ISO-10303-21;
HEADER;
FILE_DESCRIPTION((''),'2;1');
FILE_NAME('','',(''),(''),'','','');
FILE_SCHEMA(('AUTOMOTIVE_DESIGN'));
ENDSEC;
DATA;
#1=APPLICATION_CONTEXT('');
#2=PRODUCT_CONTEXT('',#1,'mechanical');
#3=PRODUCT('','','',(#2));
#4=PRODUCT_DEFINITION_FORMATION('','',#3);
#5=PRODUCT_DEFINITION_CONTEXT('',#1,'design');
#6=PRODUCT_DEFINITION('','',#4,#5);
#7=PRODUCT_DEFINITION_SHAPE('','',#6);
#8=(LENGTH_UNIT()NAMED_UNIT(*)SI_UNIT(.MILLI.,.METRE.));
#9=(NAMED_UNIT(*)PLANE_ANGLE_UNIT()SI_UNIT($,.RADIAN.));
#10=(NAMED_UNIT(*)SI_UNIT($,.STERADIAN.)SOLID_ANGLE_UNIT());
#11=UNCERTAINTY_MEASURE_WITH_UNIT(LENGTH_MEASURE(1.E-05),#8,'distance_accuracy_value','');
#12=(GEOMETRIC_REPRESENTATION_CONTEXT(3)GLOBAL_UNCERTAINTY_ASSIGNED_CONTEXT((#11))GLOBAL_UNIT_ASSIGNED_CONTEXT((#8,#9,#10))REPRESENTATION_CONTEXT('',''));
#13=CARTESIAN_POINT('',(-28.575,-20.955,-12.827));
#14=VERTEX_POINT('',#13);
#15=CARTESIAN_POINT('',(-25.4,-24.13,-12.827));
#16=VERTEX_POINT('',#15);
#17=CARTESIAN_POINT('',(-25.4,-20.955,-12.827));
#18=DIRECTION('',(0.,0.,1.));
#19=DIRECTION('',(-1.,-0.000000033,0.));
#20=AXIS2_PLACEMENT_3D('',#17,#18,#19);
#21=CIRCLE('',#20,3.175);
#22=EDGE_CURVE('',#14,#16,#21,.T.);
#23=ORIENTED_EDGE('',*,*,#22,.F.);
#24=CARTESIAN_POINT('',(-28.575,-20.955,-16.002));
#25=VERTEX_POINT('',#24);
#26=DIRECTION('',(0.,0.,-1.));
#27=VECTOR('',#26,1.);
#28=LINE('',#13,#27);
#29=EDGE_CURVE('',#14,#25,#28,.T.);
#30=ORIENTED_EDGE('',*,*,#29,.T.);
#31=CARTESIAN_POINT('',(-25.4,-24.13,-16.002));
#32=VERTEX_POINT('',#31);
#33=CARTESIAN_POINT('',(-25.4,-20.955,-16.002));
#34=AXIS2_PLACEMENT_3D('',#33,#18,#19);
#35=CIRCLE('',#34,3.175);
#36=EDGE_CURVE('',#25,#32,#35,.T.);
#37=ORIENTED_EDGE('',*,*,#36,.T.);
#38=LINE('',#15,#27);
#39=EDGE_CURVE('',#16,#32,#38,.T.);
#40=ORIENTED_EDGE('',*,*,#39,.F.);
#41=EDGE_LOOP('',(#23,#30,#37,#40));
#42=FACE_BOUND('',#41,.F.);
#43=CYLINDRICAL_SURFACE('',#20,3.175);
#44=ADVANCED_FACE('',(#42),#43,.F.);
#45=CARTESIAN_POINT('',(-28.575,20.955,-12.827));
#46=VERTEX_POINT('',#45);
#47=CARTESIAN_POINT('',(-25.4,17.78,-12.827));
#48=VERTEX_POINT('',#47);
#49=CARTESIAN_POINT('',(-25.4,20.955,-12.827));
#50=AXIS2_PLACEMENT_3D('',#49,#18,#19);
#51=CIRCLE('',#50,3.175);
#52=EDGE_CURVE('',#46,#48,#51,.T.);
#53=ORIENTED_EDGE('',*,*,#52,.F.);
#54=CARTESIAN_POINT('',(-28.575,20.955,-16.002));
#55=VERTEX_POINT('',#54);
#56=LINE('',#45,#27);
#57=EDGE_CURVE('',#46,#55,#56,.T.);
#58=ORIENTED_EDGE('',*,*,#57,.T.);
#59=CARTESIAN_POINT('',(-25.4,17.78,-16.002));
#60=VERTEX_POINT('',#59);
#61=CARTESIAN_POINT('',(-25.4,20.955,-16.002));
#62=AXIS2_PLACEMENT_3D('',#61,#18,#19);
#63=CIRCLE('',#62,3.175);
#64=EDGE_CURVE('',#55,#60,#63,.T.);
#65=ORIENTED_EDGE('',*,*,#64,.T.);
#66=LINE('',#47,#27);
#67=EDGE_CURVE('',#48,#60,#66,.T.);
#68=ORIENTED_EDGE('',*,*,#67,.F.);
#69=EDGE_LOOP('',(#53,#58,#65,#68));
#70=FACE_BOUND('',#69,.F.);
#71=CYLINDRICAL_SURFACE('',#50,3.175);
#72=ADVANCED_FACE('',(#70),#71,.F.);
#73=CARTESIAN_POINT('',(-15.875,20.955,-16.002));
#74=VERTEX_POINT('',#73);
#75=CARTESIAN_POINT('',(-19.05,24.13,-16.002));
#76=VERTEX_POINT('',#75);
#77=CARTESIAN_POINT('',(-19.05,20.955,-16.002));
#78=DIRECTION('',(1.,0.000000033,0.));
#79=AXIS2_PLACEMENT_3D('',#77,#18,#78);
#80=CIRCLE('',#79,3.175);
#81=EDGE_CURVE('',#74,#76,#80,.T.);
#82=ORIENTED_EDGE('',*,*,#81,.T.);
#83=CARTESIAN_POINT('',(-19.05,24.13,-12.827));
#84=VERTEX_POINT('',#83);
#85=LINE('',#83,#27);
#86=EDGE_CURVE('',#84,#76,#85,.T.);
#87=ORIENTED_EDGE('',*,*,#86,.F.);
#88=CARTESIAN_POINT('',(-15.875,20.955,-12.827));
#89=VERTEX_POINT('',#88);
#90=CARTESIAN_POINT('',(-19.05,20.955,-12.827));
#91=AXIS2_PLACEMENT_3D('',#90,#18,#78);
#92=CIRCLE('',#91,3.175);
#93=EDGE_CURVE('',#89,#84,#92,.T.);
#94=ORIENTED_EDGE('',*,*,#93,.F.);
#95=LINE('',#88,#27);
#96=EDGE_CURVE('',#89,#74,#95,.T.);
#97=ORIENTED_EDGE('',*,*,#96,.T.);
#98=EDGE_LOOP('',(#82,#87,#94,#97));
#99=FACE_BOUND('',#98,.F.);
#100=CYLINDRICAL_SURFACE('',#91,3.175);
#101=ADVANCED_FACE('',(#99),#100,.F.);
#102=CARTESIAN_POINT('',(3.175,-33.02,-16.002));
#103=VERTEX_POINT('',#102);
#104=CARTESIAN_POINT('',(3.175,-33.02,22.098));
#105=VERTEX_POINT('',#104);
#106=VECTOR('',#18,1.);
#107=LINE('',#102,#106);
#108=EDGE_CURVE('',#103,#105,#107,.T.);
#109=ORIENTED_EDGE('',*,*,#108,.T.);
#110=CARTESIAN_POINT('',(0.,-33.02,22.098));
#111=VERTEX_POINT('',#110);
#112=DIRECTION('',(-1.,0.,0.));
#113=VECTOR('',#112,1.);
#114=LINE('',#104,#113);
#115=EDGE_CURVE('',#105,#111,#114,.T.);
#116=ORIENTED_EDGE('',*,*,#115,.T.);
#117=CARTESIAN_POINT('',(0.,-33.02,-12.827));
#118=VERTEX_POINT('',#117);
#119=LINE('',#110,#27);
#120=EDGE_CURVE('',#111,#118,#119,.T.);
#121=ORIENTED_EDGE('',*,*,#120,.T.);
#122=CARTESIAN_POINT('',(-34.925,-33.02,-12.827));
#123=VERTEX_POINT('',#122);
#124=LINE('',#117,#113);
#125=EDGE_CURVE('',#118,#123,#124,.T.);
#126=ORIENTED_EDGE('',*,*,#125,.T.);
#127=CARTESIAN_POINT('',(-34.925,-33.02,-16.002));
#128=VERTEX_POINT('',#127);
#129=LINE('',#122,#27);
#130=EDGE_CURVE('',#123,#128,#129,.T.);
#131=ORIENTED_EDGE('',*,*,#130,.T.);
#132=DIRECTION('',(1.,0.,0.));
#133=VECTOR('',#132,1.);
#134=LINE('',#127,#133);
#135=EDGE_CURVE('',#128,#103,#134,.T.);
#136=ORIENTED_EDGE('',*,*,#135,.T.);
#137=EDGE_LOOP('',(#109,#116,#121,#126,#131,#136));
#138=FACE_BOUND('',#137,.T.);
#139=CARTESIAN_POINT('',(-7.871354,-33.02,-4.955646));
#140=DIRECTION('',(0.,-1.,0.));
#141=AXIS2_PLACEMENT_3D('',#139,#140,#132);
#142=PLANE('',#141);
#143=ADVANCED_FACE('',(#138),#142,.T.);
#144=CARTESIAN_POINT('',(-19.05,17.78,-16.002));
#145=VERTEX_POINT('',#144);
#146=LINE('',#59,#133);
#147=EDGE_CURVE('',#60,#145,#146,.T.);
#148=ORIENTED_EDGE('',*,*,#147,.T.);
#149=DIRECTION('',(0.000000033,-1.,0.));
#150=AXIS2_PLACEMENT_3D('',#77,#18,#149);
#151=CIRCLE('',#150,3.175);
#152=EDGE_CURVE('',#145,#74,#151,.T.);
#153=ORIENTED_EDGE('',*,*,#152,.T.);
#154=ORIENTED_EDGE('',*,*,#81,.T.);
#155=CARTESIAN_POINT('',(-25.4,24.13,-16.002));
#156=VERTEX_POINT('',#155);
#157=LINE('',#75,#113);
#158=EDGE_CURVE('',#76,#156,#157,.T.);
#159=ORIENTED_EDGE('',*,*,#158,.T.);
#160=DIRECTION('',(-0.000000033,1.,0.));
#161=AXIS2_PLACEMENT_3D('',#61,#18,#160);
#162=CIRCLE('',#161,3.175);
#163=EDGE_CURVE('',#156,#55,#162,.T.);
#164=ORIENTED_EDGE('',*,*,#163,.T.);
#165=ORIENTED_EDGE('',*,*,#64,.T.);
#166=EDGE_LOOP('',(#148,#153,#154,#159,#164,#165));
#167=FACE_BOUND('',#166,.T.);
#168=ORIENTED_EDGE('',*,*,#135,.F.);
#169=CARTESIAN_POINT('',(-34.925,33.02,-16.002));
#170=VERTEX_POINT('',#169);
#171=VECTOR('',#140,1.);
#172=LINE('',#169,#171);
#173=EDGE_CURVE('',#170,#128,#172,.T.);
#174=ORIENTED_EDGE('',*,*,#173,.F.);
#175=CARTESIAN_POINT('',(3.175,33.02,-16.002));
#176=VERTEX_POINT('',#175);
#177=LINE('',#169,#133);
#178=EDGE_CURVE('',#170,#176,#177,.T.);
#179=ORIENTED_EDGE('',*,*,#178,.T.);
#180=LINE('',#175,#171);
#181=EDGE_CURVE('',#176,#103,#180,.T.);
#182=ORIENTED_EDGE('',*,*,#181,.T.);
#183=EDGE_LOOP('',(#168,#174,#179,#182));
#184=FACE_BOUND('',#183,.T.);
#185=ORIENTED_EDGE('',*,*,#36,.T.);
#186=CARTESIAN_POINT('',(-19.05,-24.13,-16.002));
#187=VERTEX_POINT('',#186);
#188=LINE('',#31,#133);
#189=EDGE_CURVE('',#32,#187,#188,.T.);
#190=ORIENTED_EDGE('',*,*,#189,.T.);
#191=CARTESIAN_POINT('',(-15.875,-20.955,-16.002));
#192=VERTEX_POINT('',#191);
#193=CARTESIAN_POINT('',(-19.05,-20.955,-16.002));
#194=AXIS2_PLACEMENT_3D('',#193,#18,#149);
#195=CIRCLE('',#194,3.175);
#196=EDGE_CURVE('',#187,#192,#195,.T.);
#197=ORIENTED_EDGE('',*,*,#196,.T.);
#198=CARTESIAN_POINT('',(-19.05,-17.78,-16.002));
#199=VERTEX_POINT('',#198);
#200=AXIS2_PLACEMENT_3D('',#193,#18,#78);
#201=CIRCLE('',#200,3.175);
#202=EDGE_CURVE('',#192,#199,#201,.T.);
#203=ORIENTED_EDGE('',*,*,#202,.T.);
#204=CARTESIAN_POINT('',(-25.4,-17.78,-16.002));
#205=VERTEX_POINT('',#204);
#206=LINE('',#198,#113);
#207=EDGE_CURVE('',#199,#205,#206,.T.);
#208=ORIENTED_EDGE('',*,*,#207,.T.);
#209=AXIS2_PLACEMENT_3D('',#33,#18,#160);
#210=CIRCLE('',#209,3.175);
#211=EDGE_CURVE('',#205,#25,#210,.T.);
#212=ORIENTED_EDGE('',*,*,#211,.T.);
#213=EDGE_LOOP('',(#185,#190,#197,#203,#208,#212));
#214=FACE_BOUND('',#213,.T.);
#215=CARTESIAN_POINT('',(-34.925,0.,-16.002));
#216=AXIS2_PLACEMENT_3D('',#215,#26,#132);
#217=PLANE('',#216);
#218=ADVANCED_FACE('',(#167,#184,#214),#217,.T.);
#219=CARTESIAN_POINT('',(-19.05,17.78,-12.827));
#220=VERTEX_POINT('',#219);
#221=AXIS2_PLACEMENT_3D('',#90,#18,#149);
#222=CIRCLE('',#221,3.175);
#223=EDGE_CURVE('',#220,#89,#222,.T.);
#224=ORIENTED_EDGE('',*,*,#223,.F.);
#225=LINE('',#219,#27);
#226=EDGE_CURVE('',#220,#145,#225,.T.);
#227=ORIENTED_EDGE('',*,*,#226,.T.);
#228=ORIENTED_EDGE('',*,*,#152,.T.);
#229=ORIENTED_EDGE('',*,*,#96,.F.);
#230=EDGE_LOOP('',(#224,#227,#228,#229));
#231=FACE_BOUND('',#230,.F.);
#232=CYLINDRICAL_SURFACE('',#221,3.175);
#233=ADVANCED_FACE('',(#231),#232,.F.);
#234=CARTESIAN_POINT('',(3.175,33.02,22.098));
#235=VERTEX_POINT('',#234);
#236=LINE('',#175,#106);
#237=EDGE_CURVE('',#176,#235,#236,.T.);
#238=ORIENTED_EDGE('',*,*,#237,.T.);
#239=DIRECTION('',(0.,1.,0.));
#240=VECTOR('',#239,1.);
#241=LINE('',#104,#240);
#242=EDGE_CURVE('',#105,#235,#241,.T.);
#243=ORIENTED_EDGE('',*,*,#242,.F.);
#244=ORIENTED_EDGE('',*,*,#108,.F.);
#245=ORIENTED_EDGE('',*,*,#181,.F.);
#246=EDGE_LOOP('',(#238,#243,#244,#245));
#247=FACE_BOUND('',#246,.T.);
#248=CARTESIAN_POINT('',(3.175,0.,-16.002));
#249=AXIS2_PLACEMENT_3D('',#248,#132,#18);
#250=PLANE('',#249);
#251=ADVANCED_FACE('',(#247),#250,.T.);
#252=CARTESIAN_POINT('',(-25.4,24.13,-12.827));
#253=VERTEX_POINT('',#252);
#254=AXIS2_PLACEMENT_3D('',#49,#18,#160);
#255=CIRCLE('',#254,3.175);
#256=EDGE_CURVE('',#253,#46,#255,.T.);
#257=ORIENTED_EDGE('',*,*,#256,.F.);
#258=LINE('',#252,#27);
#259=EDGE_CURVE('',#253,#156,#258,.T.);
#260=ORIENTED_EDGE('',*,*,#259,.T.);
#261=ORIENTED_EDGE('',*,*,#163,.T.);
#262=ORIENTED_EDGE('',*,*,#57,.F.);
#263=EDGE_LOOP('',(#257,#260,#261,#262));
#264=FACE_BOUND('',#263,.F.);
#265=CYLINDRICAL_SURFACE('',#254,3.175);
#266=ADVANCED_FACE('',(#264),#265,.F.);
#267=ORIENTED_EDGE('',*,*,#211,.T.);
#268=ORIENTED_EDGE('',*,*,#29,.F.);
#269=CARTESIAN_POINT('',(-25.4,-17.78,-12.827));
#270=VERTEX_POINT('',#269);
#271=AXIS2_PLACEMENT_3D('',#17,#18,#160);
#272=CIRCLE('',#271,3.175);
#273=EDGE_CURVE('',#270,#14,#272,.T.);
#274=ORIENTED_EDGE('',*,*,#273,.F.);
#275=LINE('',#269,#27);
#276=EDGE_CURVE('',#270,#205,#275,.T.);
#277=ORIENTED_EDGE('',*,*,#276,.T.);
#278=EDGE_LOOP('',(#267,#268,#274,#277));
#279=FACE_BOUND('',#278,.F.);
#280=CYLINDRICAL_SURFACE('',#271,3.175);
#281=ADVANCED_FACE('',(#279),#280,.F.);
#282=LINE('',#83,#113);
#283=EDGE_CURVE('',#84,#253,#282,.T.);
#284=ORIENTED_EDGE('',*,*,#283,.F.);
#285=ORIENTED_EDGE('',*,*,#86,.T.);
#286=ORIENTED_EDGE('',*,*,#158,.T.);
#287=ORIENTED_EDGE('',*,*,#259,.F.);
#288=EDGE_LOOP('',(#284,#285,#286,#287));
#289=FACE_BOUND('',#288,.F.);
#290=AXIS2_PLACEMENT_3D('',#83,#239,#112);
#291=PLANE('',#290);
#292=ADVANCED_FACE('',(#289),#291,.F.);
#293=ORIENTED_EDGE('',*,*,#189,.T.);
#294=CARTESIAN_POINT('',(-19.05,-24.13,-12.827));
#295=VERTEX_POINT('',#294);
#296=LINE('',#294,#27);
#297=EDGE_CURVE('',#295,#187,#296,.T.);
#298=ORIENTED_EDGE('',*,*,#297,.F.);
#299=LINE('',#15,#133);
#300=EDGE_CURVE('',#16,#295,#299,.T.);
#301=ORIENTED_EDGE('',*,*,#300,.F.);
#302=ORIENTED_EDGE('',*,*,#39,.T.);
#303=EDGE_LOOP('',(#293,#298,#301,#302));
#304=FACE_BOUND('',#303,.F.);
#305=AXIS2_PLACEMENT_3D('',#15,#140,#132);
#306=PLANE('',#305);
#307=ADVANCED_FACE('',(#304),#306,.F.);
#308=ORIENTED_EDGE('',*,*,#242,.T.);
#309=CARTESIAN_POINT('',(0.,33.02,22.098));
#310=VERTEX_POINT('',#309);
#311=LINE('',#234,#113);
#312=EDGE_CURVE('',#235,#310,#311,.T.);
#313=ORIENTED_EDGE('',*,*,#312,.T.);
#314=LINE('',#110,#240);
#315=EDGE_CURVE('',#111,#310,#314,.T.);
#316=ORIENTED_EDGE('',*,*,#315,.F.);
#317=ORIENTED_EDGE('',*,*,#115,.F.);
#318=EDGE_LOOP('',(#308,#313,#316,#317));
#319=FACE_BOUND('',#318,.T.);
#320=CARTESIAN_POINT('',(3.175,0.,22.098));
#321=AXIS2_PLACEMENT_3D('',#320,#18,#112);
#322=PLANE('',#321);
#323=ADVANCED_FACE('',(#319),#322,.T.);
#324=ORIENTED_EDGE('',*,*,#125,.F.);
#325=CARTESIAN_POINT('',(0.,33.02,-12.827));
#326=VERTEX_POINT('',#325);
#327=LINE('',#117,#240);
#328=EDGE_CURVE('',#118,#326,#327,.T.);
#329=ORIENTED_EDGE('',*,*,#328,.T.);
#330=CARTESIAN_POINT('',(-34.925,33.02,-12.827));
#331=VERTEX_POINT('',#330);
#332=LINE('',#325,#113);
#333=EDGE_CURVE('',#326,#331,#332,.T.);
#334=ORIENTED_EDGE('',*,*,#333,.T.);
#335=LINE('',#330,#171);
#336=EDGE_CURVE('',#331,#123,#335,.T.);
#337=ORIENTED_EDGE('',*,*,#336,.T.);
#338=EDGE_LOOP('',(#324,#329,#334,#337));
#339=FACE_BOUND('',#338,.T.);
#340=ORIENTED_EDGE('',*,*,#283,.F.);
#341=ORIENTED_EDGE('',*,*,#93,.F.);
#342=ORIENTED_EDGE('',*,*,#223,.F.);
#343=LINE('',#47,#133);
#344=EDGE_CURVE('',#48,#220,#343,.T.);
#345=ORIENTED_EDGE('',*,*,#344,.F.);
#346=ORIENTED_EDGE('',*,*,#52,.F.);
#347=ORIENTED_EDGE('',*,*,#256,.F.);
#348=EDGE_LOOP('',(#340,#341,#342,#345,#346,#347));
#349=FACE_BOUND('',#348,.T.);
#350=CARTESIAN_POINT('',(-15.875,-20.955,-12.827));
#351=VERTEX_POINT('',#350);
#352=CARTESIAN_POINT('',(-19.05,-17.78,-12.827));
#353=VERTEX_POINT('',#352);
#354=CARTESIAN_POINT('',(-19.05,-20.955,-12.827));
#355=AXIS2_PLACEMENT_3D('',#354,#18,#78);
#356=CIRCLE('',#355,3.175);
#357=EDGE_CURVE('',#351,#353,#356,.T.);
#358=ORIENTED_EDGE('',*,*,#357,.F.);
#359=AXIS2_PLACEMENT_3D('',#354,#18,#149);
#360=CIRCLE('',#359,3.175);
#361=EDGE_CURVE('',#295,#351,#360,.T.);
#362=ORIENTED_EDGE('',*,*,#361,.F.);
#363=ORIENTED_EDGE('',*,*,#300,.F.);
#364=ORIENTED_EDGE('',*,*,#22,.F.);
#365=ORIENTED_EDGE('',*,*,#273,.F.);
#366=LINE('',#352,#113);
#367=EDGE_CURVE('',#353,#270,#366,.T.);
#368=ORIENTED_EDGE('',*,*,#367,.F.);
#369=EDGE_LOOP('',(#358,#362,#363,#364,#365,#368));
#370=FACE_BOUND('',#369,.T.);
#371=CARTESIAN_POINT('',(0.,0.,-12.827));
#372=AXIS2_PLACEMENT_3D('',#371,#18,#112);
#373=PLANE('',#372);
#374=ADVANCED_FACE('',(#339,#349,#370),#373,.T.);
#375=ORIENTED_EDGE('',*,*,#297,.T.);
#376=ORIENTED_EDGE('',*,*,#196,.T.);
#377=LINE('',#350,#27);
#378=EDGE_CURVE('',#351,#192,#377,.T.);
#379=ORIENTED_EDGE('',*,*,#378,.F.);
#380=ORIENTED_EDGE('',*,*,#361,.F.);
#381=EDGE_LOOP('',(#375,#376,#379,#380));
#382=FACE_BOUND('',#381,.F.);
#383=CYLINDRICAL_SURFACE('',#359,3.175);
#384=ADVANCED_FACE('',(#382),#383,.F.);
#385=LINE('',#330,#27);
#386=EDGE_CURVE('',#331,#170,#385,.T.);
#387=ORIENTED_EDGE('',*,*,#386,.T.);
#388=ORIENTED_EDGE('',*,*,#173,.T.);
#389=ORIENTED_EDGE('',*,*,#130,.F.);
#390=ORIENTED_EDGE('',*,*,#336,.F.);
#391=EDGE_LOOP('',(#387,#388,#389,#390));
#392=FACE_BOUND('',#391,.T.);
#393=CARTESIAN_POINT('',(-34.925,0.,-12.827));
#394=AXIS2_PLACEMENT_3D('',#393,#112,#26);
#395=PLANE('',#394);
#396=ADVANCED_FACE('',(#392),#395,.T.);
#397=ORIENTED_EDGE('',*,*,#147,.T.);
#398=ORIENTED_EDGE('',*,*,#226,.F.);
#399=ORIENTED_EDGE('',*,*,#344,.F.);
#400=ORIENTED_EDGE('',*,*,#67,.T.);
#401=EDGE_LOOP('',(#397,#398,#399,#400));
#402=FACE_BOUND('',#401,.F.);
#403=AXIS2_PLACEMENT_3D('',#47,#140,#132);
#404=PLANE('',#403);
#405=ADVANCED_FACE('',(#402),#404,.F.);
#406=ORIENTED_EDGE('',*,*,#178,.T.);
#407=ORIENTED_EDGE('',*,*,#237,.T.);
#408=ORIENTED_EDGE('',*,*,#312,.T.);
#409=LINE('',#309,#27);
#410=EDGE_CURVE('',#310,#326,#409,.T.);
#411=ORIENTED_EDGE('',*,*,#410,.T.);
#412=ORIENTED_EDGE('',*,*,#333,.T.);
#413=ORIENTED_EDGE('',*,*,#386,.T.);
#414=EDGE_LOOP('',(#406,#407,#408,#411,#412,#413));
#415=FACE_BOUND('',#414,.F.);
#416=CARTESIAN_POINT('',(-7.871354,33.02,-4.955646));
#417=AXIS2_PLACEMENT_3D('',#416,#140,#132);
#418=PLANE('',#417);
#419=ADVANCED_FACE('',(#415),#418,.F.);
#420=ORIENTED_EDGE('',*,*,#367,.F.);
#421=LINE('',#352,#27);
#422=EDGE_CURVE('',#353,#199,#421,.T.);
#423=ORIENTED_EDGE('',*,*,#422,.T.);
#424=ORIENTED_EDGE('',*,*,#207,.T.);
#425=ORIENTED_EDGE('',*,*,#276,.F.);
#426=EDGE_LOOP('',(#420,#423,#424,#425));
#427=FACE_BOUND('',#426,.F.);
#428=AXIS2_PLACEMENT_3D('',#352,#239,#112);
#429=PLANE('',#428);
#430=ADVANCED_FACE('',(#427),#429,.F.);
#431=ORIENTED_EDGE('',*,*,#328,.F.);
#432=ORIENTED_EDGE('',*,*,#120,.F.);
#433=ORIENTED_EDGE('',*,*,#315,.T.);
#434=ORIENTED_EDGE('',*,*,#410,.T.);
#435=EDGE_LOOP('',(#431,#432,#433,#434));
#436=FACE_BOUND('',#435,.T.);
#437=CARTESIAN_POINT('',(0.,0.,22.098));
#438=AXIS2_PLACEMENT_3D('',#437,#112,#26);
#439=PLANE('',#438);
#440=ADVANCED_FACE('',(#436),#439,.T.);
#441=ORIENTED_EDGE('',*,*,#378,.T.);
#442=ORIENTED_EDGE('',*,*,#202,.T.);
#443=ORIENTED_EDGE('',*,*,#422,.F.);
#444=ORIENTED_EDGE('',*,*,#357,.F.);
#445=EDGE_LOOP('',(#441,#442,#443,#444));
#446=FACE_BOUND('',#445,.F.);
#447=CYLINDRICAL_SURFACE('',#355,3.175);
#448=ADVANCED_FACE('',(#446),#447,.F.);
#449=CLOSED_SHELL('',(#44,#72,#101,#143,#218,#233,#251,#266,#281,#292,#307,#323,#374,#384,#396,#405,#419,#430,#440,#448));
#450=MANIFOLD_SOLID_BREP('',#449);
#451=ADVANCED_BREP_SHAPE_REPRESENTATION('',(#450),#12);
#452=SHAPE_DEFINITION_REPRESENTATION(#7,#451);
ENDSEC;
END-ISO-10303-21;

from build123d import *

# Parameters (mm, degrees)
F1_DEPTH = 33.02
F3_DEPTH = 3.175


with BuildPart() as f1:
    # F0 (on Front) → F1 (new body, symmetric)
    with BuildSketch(Plane.XZ):
        Polygon((0, -12.827), (-34.925, -12.827), (-34.925, -16.002), (3.175, -16.002), (3.175, 22.098), (0, 22.098), align=None)
    extrude(amount=F1_DEPTH, both=True)

    # F2 (on face) → F3 (cut, through all)
    with BuildSketch(Plane.XY.offset(-12.827)):
        with BuildLine():
            Line((-25.4, 17.78), (-19.05, 17.78))
            ThreePointArc((-19.05, 17.78), (-16.804936, 18.709936), (-15.875, 20.955))
            ThreePointArc((-15.875, 20.955), (-16.804936, 23.200064), (-19.05, 24.13))
            Line((-19.05, 24.13), (-25.4, 24.13))
            ThreePointArc((-25.4, 24.13), (-27.645064, 23.200064), (-28.575, 20.955))
            ThreePointArc((-28.575, 20.955), (-27.645064, 18.709936), (-25.4, 17.78))
        make_face()
        with BuildLine():
            ThreePointArc((-25.4, -17.78), (-27.645064, -18.709936), (-28.575, -20.955))
            ThreePointArc((-28.575, -20.955), (-27.645064, -23.200064), (-25.4, -24.13))
            Line((-25.4, -24.13), (-19.05, -24.13))
            ThreePointArc((-19.05, -24.13), (-16.804936, -23.200064), (-15.875, -20.955))
            ThreePointArc((-15.875, -20.955), (-16.804936, -18.709936), (-19.05, -17.78))
            Line((-19.05, -17.78), (-25.4, -17.78))
        make_face()
    extrude(amount=-F3_DEPTH, mode=Mode.SUBTRACT)


solid = f1.part
